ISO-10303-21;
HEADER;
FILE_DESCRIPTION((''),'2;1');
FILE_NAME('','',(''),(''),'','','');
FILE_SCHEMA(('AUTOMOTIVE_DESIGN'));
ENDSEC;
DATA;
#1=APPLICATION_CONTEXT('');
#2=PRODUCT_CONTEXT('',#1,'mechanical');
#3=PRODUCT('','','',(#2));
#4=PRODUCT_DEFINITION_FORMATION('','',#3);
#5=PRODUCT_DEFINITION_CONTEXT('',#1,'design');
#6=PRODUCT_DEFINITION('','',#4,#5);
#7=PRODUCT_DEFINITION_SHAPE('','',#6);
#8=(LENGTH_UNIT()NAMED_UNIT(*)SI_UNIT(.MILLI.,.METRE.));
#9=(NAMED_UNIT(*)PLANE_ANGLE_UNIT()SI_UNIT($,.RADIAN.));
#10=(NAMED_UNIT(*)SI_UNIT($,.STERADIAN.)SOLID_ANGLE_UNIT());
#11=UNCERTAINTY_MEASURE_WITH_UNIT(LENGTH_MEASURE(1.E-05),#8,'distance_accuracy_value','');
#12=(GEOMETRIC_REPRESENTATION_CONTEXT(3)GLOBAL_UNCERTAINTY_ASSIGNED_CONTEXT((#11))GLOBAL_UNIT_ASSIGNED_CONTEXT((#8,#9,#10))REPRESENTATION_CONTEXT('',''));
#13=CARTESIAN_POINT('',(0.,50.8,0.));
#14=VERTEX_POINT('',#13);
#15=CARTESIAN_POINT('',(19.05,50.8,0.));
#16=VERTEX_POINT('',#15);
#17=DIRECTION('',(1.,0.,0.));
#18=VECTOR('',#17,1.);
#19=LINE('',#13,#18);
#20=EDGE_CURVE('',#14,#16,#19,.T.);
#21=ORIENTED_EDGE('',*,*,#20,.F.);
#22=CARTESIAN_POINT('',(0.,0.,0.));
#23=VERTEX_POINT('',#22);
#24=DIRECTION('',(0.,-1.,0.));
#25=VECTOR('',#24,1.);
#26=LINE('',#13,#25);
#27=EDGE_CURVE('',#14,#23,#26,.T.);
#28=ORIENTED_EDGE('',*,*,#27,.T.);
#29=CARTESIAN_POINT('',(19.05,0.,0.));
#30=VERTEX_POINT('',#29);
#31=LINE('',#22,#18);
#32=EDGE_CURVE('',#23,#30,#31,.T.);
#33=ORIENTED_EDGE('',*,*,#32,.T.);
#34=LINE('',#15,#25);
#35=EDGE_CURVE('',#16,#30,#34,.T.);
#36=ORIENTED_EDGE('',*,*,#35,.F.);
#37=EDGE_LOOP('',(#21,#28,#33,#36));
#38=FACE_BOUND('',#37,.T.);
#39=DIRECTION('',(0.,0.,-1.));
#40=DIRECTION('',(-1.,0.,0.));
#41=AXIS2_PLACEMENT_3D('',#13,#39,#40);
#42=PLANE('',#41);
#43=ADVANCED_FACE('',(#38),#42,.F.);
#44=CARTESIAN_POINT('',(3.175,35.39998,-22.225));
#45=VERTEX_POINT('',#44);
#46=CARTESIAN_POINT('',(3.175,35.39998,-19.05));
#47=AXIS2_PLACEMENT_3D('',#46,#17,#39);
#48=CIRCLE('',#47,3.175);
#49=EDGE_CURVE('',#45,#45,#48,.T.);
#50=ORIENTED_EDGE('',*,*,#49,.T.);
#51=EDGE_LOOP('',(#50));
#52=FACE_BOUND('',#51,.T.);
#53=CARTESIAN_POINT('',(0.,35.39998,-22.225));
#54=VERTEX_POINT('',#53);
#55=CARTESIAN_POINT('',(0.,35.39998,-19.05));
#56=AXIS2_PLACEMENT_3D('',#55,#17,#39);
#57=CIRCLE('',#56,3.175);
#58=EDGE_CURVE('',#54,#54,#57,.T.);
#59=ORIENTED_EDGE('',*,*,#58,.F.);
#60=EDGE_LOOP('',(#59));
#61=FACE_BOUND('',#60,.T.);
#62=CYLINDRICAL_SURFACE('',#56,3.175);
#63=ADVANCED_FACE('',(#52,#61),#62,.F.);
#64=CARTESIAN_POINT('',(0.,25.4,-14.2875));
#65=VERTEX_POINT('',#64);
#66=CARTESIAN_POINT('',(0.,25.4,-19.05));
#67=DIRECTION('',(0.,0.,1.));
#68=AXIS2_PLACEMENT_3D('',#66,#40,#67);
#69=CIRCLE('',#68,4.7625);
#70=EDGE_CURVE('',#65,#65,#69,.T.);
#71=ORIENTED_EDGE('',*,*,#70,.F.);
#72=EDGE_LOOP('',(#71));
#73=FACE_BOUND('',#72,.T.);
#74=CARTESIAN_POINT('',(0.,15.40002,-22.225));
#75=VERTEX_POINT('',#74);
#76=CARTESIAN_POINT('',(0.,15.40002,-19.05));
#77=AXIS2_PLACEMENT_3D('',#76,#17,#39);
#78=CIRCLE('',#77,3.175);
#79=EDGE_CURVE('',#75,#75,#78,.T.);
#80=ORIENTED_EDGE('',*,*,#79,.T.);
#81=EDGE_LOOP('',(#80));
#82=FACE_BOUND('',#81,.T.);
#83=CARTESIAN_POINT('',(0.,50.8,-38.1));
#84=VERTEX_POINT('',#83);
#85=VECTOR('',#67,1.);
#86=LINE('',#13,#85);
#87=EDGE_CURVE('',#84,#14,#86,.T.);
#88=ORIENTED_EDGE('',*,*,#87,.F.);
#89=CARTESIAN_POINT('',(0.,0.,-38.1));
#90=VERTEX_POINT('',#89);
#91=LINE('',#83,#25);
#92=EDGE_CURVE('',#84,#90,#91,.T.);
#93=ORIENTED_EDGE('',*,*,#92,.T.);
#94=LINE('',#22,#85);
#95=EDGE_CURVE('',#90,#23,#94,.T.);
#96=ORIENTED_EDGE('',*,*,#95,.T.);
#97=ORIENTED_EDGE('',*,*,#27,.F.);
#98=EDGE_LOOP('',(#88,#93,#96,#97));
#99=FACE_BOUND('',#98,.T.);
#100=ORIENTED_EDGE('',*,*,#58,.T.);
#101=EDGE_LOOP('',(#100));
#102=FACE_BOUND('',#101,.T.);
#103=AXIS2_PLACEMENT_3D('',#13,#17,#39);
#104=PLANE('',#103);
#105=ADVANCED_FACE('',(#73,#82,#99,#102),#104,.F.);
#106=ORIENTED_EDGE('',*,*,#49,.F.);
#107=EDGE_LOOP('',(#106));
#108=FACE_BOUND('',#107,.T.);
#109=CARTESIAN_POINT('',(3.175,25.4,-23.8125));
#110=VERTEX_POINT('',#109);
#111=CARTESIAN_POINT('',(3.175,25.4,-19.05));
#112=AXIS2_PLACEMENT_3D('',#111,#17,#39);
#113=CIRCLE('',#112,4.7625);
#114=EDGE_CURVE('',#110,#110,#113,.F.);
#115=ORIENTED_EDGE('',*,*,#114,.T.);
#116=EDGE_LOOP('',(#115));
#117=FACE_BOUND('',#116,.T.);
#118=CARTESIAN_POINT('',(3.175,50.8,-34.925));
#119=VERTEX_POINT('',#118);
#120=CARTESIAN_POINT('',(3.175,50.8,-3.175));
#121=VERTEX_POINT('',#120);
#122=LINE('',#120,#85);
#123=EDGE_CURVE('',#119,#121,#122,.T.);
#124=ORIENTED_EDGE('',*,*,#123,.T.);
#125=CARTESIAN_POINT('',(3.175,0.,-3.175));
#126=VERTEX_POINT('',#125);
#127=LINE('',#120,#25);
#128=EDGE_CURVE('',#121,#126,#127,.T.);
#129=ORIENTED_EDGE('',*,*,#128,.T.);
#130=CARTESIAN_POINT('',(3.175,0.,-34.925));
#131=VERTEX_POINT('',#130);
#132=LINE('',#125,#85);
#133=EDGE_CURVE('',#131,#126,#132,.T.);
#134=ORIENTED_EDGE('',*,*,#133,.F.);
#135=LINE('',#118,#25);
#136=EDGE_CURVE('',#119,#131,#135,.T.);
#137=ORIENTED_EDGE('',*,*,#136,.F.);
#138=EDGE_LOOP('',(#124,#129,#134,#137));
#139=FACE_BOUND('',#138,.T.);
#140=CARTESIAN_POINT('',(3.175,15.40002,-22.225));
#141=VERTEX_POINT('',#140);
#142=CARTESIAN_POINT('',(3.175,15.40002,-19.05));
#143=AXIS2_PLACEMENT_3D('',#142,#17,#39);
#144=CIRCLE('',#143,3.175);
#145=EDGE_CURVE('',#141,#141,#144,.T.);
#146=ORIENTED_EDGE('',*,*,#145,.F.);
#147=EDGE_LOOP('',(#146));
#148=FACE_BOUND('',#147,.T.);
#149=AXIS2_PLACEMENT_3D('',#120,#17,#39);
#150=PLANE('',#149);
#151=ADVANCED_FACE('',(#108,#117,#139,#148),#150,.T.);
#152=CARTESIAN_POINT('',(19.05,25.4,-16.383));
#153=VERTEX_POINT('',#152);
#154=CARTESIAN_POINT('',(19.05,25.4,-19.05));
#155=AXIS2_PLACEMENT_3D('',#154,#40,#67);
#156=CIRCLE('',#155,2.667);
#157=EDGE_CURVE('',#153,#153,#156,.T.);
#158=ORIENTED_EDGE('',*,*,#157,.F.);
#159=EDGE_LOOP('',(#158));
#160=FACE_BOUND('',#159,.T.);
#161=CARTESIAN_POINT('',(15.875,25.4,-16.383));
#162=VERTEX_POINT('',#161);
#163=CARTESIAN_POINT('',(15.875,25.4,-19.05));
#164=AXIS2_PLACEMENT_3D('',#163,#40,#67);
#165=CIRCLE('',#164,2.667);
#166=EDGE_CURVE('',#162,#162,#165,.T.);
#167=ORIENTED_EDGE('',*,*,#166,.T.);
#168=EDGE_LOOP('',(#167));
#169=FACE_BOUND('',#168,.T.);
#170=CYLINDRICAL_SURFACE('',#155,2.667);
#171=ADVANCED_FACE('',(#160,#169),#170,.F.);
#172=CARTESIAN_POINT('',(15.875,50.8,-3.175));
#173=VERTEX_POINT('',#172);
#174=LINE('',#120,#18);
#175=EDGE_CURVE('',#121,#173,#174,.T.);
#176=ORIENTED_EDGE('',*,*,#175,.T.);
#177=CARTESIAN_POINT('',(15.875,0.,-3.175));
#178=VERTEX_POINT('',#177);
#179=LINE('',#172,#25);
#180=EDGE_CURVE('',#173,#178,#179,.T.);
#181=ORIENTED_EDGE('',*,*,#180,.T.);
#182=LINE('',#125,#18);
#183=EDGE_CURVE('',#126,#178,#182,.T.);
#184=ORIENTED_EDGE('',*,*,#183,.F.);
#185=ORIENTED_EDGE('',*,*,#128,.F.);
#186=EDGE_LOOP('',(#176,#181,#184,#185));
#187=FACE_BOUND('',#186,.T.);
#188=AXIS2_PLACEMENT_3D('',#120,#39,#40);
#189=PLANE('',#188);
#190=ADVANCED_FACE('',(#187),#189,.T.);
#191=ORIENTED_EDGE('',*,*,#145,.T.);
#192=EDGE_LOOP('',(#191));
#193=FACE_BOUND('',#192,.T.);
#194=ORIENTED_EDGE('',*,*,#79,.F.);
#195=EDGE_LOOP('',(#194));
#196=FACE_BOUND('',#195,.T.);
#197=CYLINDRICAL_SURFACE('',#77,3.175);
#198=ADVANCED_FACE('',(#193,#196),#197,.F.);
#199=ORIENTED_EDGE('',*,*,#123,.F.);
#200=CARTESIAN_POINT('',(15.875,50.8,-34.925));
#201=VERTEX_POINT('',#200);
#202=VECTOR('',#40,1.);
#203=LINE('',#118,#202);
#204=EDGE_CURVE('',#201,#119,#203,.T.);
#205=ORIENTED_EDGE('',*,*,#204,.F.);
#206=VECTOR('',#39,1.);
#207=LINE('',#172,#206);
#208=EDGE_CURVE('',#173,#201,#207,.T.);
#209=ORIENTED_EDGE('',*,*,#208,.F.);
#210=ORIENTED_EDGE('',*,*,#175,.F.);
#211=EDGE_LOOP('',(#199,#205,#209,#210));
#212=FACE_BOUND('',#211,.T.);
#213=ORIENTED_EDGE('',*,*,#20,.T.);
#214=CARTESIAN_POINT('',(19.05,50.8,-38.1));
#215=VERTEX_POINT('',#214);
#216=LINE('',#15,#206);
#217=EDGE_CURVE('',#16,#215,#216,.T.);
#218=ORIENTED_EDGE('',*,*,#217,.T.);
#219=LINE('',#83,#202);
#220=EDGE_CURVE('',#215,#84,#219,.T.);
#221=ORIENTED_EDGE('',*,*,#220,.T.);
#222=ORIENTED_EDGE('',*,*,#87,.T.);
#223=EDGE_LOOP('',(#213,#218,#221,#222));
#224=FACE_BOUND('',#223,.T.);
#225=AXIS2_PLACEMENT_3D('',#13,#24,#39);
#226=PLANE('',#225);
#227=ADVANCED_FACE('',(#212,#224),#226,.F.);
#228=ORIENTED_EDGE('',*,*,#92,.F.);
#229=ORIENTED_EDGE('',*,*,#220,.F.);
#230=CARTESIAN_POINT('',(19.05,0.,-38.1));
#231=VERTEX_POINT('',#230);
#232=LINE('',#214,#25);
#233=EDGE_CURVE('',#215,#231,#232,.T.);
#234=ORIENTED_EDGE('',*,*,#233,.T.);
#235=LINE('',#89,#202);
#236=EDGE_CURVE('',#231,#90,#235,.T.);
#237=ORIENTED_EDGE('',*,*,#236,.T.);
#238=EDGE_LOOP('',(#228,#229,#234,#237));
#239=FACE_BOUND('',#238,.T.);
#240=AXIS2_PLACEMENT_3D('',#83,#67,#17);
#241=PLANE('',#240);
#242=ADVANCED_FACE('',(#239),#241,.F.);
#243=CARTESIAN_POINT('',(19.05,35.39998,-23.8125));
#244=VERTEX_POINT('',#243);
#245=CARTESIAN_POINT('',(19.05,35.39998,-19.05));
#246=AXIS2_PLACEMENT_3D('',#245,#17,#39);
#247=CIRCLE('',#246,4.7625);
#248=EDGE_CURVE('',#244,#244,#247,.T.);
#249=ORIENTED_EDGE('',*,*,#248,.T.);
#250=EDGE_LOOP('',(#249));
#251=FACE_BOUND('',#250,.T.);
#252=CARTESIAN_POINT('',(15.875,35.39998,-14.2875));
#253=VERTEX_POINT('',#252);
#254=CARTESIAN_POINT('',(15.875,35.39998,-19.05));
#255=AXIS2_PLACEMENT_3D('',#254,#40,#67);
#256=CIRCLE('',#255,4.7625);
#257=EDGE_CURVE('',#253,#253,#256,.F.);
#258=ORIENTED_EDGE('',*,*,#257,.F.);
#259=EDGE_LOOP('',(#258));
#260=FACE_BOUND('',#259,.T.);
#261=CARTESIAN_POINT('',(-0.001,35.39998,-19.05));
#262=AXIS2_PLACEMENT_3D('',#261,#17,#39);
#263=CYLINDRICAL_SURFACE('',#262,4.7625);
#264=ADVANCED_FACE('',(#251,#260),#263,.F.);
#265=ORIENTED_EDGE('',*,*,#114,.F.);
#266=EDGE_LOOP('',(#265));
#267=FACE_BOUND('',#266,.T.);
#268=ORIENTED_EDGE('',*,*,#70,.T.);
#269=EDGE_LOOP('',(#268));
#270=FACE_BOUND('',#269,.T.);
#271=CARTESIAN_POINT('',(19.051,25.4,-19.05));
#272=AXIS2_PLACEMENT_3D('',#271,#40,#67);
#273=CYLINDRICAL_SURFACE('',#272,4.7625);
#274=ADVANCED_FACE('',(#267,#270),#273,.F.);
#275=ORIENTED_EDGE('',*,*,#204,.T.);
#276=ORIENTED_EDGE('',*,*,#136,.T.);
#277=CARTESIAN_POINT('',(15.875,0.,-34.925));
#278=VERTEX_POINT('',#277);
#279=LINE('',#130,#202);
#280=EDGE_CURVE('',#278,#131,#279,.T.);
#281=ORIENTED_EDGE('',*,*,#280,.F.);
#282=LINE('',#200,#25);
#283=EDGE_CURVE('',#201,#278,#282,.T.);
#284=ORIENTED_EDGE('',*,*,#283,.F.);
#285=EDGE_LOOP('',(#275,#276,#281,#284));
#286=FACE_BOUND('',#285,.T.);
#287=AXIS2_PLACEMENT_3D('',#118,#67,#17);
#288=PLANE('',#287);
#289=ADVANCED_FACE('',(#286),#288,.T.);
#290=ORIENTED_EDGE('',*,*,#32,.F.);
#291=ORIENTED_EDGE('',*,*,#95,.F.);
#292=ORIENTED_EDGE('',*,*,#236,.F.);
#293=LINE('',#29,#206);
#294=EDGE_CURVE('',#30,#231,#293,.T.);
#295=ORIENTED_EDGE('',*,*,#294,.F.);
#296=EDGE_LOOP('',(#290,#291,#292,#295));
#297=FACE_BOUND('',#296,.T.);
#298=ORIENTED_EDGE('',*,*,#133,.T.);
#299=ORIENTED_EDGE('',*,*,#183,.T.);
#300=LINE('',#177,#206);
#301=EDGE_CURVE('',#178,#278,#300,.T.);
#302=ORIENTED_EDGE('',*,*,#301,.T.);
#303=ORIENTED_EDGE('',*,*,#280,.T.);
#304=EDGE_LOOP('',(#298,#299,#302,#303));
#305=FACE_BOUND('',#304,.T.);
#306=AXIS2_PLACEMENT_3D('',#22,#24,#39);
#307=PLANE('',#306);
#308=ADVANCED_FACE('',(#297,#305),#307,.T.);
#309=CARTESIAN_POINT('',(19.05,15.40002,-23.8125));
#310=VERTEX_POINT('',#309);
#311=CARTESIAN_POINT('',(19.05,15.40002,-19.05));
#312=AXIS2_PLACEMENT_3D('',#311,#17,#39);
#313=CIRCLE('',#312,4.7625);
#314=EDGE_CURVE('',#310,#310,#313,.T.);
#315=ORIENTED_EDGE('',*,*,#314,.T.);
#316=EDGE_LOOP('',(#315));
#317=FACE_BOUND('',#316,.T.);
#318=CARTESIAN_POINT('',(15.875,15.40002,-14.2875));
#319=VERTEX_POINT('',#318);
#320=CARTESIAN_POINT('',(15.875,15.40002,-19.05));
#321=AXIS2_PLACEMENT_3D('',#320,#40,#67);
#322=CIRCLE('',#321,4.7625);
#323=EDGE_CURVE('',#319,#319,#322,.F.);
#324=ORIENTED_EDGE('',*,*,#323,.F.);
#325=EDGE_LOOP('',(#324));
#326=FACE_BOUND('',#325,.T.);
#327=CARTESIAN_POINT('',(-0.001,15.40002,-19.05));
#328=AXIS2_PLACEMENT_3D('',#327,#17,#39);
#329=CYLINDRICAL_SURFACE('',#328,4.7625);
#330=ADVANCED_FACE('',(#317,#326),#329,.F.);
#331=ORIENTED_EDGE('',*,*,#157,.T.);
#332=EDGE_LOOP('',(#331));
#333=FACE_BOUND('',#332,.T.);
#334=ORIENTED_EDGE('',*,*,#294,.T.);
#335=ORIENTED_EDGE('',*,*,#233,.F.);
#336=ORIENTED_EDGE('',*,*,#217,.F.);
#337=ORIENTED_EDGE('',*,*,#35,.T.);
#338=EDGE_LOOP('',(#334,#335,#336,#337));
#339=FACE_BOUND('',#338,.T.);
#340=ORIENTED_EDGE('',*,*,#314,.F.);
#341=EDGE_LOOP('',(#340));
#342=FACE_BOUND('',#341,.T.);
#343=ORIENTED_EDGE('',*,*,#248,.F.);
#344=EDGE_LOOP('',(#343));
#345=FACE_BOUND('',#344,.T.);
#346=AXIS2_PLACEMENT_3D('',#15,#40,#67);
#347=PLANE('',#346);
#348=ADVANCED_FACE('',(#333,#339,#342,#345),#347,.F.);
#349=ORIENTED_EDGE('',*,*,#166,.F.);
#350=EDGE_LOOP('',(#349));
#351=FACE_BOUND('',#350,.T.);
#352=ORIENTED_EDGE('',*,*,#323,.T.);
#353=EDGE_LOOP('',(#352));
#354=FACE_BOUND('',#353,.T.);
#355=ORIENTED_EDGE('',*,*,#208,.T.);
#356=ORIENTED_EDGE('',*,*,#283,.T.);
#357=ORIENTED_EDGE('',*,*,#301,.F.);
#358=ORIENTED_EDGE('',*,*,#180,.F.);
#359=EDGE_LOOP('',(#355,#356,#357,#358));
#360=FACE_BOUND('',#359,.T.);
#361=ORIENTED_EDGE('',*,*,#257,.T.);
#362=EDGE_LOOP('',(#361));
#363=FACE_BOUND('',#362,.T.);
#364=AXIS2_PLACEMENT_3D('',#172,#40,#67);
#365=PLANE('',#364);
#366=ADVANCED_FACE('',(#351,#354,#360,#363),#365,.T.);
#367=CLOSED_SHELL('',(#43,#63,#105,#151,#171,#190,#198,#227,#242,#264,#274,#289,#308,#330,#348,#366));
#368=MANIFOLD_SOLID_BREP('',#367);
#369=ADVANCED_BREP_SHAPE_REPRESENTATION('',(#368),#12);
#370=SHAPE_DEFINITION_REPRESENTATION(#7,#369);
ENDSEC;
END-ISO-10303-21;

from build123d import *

# Parameters (mm, degrees)
SKETCH1_W           = 19.05
SKETCH1_H           = 38.1
SKETCH1_W_2         = 12.7
SKETCH1_H_2         = 31.75
BOSS_EXTRUDE1_DEPTH = 50.8
SKETCH2_R           = 3.175
CUT_EXTRUDE1_DEPTH  = 20.05
CUT_EXTRUDE2_REACH  = 21.05
SKETCH3_R           = 4.7625
SKETCH4_R           = 2.667
CUT_EXTRUDE3_DEPTH  = 20.05
CUT_EXTRUDE4_REACH  = 21.05
SKETCH5_R           = 4.7625


with BuildPart() as part:
    # Sketch1 → Boss-Extrude1 (new body)
    with BuildSketch(Plane(origin=(0, 0, 0), x_dir=(1, 0, 0), z_dir=(0, 1, 0))):
        with Locations((9.525, 19.05)):
            Rectangle(SKETCH1_W, SKETCH1_H)
        with Locations((9.525, 19.05)):
            Rectangle(SKETCH1_W_2, SKETCH1_H_2, mode=Mode.SUBTRACT)
    extrude(amount=BOSS_EXTRUDE1_DEPTH)

    # Sketch2 → Cut-Extrude1 (cut, through all)
    with BuildSketch(Plane(origin=(19.05, 0, 0), x_dir=(0, 0, -1), z_dir=(1, 0, 0))):
        with Locations((19.05, 15.40002)):
            Circle(SKETCH2_R)
        with Locations((19.05, 35.39998)):
            Circle(SKETCH2_R)
    extrude(amount=-CUT_EXTRUDE1_DEPTH, mode=Mode.SUBTRACT)

    # Sketch3 → Cut-Extrude2 (cut, up to next)
    with BuildSketch(Plane(origin=(19.05, 0, 0), x_dir=(0, 0, -1), z_dir=(1, 0, 0)), mode=Mode.PRIVATE) as cut_extrude2_sk1:
        with Locations((19.05, 15.40002)):
            Circle(SKETCH3_R)
    cut_extrude2_tool1 = extrude(cut_extrude2_sk1.sketch, amount=-CUT_EXTRUDE2_REACH, mode=Mode.PRIVATE) & part.part
    add(cut_extrude2_tool1.solids().sort_by_distance((19.05, 15.40002, -19.05))[0], mode=Mode.SUBTRACT)
    # Sketch3 → Cut-Extrude2 (cut, up to next)
    with BuildSketch(Plane(origin=(19.05, 0, 0), x_dir=(0, 0, -1), z_dir=(1, 0, 0)), mode=Mode.PRIVATE) as cut_extrude2_sk2:
        with Locations((19.05, 35.39998)):
            Circle(SKETCH3_R)
    cut_extrude2_tool2 = extrude(cut_extrude2_sk2.sketch, amount=-CUT_EXTRUDE2_REACH, mode=Mode.PRIVATE) & part.part
    add(cut_extrude2_tool2.solids().sort_by_distance((19.05, 35.39998, -19.05))[0], mode=Mode.SUBTRACT)

    # Sketch4 → Cut-Extrude3 (cut, through all)
    with BuildSketch(Plane.ZY):
        with Locations((-19.05, 25.4)):
            Circle(SKETCH4_R)
    extrude(amount=-CUT_EXTRUDE3_DEPTH, mode=Mode.SUBTRACT)

    # Sketch5 → Cut-Extrude4 (cut, up to next)
    with BuildSketch(Plane.ZY, mode=Mode.PRIVATE) as cut_extrude4_sk1:
        with Locations((-19.05, 25.4)):
            Circle(SKETCH5_R)
    cut_extrude4_tool1 = extrude(cut_extrude4_sk1.sketch, amount=-CUT_EXTRUDE4_REACH, mode=Mode.PRIVATE) & part.part
    add(cut_extrude4_tool1.solids().sort_by_distance((0, 25.4, -19.05))[0], mode=Mode.SUBTRACT)


solid = part.part
